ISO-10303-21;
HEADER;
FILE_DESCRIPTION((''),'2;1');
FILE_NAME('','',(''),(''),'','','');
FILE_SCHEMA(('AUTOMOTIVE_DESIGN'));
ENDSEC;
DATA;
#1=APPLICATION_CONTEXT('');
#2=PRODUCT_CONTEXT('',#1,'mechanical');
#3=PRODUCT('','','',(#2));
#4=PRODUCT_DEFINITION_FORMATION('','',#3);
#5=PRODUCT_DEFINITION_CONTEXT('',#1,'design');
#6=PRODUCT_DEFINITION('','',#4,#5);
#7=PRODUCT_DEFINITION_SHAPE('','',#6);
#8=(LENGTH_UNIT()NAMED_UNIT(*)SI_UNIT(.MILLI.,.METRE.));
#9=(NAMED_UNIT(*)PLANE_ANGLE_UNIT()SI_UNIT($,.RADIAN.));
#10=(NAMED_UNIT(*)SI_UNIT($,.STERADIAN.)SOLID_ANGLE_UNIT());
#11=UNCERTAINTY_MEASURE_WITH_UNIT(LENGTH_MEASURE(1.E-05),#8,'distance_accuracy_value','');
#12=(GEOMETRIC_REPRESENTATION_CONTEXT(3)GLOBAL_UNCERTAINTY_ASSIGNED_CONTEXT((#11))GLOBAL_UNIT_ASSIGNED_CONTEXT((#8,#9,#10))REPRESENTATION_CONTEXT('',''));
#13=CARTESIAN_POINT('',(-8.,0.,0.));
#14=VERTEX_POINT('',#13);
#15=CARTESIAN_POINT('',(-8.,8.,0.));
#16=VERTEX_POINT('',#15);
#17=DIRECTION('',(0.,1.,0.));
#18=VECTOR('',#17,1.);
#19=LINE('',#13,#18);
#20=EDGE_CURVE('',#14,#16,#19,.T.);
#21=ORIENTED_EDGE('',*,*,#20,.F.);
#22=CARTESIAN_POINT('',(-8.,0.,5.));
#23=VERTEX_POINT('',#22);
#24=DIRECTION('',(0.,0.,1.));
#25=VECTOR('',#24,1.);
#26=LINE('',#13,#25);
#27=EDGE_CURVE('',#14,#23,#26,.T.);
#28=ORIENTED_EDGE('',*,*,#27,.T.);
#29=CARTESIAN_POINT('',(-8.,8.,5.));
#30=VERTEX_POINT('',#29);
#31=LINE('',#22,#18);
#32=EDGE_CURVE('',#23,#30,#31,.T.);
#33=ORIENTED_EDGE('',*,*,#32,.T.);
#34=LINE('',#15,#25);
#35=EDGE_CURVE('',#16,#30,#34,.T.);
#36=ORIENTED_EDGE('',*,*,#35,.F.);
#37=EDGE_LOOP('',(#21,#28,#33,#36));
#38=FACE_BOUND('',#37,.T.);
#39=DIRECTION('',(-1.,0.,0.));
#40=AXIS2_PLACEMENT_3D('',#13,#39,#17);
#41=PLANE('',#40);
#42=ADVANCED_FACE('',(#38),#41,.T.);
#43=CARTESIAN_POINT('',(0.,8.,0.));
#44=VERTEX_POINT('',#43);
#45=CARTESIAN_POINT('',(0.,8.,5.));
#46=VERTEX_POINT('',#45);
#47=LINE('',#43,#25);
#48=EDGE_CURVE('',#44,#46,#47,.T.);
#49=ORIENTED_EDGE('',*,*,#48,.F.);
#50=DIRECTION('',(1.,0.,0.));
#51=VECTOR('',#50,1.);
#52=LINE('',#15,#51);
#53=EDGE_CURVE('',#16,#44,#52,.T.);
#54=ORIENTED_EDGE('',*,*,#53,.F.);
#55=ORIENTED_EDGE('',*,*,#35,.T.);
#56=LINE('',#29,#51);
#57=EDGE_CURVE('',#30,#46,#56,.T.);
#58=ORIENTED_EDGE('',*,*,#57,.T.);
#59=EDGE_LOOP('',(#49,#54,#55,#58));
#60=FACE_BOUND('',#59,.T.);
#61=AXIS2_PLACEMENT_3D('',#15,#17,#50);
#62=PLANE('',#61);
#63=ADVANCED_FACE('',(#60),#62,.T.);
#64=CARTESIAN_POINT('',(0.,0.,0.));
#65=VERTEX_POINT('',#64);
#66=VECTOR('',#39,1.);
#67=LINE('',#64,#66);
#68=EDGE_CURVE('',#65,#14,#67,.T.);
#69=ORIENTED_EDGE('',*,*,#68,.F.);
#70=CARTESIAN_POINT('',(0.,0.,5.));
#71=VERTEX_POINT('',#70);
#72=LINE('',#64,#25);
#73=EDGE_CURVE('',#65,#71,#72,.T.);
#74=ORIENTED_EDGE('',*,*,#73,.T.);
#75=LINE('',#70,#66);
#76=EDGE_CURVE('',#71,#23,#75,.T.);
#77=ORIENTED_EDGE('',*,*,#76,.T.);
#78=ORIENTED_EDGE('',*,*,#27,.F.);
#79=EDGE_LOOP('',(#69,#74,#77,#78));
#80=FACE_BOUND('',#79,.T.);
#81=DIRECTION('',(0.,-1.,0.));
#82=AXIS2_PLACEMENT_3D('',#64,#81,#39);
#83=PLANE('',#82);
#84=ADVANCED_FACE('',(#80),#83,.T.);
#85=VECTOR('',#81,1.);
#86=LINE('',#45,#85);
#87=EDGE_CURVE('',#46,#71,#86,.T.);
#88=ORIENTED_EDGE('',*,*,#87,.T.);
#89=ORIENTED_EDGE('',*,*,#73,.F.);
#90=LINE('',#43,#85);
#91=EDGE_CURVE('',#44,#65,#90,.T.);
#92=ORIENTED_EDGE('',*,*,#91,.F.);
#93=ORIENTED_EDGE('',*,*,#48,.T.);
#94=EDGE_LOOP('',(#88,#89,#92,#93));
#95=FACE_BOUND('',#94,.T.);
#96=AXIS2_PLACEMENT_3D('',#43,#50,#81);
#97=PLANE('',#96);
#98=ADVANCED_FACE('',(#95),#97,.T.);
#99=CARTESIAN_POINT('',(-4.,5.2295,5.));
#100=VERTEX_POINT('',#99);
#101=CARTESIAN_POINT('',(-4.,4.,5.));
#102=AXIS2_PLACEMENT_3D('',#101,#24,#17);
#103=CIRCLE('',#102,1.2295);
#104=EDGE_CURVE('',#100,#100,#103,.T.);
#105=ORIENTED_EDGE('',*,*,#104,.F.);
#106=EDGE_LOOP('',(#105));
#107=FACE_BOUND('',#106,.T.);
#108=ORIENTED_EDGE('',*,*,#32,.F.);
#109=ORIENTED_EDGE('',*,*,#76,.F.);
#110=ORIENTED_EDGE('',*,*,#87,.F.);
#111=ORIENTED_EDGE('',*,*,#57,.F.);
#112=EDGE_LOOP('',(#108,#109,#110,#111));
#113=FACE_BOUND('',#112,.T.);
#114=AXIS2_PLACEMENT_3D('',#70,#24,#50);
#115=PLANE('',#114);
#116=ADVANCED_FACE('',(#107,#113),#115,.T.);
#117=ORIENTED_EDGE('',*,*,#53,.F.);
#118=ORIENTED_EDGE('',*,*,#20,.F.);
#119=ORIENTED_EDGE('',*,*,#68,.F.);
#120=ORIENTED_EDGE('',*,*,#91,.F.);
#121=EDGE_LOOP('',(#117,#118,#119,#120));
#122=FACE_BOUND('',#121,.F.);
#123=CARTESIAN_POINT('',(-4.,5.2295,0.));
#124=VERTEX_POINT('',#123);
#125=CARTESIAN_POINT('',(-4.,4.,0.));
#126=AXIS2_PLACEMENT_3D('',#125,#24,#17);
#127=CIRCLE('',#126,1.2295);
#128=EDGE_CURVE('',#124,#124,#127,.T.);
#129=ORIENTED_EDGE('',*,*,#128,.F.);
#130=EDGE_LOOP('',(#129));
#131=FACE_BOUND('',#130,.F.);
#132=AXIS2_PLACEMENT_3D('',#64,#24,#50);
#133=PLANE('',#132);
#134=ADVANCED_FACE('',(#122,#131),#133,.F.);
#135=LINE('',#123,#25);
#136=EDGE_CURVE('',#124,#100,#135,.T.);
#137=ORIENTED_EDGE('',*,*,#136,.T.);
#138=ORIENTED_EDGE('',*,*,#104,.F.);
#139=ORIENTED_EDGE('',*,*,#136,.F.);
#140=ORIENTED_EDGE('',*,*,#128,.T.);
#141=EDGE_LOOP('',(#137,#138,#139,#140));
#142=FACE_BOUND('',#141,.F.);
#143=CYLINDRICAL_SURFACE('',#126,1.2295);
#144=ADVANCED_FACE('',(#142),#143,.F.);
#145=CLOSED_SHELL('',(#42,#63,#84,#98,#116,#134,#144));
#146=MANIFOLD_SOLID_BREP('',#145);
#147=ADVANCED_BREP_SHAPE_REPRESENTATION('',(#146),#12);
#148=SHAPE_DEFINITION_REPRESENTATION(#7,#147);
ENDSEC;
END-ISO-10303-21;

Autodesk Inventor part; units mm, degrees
ref_plane "YZ Plane" through (0, 0, 0) normal (1, 0, 0) x (0, 1, 0)
ref_plane "XZ Plane" through (0, 0, 0) normal (0, 1, 0) x (-1, 0, 0)
ref_plane "XY Plane" through (0, 0, 0) normal (0, 0, 1) x (1, 0, 0)
sketch "Szkic1" plane through (0, 0, 0) normal (0, 0, 1) x (1, 0, 0)
  line L0 (0, 0) -> (-8, 0)
  line L1 (-8, 0) -> (-8, 8)
  line L2 (-8, 8) -> (0, 8)
  line L3 (0, 8) -> (0, 0)
  dimension "d0" = 8
  dimension "d1" = 8
extrude "Wyciągnięcie proste1" add sketch "Szkic1" along normal blind 5
sketch "Szkic2" plane through (0, 0, 0) normal (0, 0, -1) x (-1, 0, 0)
  line L0 (0, 8) -> (8, 8) projected
  line L1 (4, 8) -> (4, 0)
  line L2 (8, 0) -> (0, 0) projected
  line L3 (0, 0) -> (0, 8) projected
  line L4 (0, 4) -> (8, 4)
  line L5 (8, 8) -> (8, 0) projected
  point P0 (4, 4)
hole "Otwór1" at (-4, 4, 0) direction (0, 0, 1) diameter 2.459 end through all thread size "M3x0.5" class "6H" standard "ISO Metric profile"
properties part number "zatyczka na szyne" material "Stal nierdzewna 440C"
